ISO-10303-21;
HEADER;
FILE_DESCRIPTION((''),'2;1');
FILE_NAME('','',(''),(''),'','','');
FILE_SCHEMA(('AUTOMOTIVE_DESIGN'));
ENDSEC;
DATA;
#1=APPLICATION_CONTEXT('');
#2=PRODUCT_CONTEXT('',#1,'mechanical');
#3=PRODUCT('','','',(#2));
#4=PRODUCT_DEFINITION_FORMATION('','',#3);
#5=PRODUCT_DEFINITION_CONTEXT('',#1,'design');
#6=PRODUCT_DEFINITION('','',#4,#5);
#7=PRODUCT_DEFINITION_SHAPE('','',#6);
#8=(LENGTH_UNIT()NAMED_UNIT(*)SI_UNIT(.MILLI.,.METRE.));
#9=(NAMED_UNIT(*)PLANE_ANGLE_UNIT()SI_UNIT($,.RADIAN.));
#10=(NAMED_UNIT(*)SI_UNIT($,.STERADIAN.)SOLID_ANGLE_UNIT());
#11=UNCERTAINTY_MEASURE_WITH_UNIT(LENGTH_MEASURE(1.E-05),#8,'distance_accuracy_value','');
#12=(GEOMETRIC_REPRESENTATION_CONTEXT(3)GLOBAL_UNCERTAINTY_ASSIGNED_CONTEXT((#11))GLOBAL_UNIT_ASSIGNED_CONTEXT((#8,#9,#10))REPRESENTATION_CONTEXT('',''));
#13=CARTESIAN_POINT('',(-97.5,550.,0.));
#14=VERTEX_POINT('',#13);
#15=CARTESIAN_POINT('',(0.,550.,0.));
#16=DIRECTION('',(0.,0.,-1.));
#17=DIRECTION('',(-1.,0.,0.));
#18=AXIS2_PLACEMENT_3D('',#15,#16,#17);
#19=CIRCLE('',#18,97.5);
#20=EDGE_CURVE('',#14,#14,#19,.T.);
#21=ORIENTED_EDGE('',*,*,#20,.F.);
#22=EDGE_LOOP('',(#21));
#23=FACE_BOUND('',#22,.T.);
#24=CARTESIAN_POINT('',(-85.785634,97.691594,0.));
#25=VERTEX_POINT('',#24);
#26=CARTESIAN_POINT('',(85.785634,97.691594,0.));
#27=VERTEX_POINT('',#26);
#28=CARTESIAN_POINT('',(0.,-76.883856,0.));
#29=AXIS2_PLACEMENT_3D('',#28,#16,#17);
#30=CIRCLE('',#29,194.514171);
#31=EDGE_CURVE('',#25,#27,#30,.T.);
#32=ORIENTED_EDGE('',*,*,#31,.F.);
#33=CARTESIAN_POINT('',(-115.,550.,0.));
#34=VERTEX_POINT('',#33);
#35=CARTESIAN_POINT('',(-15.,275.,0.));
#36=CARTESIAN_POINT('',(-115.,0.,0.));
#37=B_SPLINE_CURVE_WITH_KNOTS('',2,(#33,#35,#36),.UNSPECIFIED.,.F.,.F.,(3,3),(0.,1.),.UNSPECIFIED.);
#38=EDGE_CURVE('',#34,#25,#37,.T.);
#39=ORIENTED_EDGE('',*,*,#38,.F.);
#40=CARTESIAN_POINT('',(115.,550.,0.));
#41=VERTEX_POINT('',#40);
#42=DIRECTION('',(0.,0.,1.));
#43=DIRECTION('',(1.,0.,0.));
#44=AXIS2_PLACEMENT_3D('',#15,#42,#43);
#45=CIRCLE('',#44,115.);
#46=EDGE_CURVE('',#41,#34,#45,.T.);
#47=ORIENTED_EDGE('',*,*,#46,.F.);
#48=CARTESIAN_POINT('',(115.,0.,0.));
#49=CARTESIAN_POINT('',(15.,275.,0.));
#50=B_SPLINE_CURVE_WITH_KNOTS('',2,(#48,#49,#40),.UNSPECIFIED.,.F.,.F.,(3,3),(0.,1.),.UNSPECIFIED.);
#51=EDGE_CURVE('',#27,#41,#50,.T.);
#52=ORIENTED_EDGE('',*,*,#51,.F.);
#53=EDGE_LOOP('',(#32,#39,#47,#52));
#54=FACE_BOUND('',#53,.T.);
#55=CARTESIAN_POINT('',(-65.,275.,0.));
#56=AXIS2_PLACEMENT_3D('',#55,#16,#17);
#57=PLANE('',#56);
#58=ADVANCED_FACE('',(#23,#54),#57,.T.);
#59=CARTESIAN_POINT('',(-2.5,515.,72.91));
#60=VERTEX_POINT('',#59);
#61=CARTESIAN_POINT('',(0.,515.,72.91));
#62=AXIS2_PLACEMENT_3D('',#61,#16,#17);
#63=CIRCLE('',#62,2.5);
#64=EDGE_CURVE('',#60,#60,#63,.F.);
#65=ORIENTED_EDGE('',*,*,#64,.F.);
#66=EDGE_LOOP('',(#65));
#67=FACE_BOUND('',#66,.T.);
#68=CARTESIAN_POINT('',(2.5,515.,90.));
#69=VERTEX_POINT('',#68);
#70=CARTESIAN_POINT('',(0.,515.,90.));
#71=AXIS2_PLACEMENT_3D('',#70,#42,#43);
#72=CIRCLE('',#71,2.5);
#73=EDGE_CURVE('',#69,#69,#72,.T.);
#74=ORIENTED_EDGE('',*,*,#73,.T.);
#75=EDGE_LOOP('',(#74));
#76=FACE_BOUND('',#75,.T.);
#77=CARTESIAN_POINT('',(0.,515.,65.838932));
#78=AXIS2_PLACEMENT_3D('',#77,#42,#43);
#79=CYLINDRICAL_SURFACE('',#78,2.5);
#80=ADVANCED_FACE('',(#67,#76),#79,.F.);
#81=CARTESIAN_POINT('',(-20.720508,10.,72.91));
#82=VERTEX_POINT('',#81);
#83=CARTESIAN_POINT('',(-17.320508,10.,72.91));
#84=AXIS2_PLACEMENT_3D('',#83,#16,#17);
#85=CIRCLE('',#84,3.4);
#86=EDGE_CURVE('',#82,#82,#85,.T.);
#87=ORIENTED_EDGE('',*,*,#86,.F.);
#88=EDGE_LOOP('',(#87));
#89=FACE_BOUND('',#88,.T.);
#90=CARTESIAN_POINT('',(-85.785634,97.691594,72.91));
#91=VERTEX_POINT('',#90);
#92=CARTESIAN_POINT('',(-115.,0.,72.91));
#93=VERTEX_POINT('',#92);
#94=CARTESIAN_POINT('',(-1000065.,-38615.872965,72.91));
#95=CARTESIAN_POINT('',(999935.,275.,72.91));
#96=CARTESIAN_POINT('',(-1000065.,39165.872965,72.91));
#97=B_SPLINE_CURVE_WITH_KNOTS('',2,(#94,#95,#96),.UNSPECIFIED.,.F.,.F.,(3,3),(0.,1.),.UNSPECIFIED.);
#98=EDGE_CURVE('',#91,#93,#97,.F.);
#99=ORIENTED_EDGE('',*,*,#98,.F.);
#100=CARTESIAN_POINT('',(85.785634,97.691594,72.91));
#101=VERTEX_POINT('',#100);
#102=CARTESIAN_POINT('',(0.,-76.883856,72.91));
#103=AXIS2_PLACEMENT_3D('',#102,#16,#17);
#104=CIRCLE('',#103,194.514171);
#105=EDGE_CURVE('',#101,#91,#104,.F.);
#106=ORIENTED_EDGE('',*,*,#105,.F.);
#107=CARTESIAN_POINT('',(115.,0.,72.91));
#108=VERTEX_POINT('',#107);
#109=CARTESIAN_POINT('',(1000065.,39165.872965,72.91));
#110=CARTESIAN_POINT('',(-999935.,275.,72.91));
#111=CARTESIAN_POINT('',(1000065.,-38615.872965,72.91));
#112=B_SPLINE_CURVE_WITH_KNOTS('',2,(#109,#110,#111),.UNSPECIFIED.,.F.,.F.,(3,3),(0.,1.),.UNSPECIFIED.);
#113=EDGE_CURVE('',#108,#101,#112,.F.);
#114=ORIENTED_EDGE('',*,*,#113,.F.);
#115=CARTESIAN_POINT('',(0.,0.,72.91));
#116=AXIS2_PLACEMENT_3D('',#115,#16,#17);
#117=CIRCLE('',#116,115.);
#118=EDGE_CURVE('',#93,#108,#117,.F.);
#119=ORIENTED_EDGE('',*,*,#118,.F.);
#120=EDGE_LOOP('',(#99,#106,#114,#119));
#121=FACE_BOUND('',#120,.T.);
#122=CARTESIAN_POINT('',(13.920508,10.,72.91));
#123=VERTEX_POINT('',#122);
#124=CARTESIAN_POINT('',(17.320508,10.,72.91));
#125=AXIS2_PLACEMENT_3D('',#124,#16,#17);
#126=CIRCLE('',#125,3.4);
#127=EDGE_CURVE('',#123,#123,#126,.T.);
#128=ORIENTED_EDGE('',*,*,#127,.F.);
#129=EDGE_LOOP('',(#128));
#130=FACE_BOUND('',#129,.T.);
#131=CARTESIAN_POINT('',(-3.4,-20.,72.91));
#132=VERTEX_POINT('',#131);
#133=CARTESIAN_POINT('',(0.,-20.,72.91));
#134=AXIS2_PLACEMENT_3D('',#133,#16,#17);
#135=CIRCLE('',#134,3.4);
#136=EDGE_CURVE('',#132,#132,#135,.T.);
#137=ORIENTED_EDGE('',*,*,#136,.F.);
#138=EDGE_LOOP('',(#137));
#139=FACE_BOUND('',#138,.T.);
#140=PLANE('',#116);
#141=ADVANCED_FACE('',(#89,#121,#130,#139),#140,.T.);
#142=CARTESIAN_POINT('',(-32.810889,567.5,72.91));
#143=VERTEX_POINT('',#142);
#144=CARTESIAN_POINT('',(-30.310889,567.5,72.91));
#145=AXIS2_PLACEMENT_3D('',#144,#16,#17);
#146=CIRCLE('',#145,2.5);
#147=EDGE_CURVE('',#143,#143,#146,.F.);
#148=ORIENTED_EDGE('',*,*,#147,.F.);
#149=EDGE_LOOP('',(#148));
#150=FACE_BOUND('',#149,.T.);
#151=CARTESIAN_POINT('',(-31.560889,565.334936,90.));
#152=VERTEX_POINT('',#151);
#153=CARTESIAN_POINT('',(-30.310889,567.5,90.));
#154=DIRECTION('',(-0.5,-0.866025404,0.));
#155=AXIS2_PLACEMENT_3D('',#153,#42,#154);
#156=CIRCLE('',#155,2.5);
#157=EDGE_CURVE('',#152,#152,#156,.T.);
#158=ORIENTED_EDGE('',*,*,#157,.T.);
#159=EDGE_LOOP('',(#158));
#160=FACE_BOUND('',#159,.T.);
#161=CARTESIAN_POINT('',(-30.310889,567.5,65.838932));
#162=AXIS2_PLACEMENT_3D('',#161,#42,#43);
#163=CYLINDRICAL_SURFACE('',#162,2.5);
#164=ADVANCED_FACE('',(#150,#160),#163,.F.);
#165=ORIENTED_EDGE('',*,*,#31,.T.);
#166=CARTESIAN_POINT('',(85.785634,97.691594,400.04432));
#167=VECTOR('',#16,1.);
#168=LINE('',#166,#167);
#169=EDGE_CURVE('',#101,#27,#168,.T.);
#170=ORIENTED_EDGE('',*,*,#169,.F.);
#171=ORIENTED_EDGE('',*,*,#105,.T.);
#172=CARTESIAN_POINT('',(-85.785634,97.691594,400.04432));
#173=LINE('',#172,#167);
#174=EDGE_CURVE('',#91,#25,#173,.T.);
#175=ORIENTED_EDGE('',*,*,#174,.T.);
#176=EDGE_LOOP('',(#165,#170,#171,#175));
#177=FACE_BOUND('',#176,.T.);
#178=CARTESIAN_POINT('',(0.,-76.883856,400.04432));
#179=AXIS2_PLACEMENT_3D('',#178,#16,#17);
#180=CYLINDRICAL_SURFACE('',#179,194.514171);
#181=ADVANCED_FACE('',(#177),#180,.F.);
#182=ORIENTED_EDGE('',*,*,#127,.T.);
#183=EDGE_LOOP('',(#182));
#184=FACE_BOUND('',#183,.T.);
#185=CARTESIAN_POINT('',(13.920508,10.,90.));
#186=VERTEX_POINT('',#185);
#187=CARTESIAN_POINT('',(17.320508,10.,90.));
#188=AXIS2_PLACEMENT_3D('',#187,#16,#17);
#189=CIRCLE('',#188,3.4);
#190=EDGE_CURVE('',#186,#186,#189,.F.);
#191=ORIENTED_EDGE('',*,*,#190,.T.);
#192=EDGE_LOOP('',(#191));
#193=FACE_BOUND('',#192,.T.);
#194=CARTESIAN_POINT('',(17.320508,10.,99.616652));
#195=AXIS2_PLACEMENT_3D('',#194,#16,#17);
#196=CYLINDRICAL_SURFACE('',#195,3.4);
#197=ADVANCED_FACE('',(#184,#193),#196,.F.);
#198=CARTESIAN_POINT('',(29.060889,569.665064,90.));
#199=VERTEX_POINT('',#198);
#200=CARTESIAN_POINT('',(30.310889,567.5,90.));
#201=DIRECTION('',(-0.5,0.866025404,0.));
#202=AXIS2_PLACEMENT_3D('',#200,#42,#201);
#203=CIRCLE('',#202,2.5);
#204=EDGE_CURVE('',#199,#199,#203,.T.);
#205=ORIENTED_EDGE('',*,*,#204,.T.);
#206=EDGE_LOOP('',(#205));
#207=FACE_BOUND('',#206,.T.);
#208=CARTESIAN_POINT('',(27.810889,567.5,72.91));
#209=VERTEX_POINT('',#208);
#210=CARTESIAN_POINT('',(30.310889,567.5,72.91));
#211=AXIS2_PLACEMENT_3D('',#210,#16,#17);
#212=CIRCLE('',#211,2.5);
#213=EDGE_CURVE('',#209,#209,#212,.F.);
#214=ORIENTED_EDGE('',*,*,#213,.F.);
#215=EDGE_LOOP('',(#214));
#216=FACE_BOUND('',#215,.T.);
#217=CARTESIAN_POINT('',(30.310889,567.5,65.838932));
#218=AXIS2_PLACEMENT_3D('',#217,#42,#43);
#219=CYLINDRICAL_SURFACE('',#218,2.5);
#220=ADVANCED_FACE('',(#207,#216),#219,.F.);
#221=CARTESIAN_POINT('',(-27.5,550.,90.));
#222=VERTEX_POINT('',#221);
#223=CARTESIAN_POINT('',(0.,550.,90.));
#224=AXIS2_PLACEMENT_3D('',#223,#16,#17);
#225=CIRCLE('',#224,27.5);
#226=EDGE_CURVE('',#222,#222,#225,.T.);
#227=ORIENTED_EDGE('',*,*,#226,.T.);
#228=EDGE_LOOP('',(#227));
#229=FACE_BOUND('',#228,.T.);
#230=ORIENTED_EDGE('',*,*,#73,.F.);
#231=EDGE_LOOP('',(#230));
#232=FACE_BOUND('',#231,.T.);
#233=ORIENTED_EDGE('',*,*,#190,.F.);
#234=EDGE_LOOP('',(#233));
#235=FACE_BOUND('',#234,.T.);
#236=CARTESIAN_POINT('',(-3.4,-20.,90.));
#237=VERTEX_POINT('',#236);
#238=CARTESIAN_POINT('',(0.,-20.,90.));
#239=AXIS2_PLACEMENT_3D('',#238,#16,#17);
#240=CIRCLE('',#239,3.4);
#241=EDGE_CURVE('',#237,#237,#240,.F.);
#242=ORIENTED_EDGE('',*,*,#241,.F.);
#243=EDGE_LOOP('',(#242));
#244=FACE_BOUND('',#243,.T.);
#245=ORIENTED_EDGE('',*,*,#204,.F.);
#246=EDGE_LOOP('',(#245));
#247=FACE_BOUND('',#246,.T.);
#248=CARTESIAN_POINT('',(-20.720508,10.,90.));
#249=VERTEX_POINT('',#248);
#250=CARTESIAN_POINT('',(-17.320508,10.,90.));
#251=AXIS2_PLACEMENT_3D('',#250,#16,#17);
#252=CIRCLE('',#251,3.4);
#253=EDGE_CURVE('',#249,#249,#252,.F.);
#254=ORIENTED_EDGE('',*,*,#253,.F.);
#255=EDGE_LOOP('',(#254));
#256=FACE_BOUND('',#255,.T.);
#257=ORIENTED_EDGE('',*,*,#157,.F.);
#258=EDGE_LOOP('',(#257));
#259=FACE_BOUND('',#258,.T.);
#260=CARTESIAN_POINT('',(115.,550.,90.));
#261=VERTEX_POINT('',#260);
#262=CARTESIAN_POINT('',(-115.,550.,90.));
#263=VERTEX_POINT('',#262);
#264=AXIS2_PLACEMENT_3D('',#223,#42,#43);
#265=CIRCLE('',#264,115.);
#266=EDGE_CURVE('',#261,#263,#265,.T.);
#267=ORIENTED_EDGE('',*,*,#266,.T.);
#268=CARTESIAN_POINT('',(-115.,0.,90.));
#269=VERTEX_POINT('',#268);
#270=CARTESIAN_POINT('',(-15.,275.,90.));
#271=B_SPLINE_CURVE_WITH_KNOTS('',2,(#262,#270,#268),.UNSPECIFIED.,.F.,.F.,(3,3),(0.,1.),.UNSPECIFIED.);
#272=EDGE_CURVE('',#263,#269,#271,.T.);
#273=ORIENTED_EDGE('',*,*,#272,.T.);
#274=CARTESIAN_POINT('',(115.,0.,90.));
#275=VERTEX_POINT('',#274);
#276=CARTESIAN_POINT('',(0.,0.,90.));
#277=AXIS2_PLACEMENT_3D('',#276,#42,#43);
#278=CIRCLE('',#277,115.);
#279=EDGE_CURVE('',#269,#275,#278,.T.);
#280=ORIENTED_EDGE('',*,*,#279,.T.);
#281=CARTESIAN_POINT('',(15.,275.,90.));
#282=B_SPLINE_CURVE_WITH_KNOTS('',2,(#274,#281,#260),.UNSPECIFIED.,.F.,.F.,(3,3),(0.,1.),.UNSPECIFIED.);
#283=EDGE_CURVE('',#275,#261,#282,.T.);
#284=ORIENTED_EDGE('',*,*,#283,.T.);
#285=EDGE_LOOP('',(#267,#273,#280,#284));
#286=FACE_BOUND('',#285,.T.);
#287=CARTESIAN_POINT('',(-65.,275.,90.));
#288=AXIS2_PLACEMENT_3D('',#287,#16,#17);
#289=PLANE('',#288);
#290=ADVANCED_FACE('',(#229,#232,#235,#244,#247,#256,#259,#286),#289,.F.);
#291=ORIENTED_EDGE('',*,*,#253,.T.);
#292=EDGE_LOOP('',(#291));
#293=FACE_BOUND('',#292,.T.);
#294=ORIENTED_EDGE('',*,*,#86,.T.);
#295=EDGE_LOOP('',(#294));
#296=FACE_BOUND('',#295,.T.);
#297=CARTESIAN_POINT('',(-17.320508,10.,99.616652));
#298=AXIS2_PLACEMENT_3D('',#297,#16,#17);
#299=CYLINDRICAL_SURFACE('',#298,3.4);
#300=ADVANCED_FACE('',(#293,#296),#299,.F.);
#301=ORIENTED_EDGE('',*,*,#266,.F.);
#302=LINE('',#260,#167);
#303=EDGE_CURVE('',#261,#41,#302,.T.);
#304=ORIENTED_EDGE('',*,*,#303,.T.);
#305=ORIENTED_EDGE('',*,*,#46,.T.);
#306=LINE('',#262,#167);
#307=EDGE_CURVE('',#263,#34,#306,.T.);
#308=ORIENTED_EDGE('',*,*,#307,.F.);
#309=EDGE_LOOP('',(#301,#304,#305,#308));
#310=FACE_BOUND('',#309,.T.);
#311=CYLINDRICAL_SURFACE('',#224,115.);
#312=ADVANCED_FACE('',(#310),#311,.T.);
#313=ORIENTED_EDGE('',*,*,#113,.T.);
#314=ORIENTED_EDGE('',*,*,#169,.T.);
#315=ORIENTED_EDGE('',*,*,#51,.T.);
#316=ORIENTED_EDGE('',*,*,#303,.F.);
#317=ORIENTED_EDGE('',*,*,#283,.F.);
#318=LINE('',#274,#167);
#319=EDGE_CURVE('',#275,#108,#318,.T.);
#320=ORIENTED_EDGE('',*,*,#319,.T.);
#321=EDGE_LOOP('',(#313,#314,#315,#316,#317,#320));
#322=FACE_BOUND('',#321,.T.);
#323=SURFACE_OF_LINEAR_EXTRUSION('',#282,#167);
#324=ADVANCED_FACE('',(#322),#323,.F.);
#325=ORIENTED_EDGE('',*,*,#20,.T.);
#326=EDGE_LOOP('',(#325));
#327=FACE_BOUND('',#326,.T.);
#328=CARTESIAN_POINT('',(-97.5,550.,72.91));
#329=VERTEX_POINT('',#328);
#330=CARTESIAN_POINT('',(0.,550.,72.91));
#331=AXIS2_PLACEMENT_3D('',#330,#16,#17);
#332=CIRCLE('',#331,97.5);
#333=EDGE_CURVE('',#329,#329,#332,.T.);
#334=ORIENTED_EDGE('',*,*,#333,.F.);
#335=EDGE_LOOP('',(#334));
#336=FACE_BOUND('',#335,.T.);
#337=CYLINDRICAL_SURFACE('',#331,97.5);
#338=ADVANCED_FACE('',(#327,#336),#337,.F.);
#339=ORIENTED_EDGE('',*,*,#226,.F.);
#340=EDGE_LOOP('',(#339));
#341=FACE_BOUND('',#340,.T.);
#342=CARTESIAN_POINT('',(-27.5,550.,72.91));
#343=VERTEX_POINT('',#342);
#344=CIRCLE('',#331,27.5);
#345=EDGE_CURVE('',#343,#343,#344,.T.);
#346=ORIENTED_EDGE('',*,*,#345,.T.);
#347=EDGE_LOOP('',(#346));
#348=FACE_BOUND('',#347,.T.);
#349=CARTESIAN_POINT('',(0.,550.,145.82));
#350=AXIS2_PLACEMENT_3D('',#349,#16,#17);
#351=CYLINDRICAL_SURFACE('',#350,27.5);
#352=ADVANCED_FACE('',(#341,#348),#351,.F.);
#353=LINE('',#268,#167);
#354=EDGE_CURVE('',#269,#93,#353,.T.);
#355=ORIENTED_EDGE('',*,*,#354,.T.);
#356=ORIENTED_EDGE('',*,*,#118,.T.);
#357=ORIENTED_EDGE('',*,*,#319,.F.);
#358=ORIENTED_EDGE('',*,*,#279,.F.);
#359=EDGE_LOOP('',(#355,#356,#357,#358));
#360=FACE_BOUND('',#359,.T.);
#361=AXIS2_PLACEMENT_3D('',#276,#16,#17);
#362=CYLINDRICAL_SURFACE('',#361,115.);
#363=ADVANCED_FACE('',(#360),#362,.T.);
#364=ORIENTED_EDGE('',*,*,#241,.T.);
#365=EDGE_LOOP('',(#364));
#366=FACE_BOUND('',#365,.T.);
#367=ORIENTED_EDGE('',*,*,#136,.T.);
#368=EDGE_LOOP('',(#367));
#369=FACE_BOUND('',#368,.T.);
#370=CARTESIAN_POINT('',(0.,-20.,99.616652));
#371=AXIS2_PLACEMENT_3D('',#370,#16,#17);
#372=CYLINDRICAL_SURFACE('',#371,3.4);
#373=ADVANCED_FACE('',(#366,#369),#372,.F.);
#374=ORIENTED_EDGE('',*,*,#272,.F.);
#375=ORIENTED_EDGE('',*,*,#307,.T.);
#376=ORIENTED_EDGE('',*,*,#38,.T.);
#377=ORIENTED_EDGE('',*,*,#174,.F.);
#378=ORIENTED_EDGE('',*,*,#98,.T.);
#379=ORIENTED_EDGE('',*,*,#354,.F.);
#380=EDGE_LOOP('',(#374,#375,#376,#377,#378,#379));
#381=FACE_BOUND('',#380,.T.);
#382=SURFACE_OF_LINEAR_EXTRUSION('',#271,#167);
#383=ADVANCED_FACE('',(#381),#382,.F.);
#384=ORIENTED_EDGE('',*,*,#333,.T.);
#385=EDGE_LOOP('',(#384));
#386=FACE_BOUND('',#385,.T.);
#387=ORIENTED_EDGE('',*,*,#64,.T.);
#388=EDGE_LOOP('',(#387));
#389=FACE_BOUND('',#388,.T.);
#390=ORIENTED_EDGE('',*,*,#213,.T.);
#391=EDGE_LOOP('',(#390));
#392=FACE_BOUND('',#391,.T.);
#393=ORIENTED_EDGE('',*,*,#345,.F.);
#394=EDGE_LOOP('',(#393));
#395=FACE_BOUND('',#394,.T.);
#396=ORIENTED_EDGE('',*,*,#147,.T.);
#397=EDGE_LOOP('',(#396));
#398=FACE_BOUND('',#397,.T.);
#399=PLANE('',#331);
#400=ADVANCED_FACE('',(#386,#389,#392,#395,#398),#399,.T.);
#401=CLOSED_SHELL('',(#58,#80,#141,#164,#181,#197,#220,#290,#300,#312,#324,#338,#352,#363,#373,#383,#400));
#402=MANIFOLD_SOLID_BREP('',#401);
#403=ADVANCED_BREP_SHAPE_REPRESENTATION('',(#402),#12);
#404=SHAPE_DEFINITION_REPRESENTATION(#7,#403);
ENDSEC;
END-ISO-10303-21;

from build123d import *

# Parameters (mm, degrees)
BOSS_EXTRUDE1_DEPTH = 90
SKETCH2_R           = 97.5
CUT_EXTRUDE1_DEPTH  = 72.91
SKETCH6_R           = 97.5
CUT_EXTRUDE5_DEPTH  = 72.91
SKETCH7_R           = 27.5
CUT_EXTRUDE6_DEPTH  = 72.91
CUT_EXTRUDE10_DEPTH = 72.91
SKETCH13_R          = 3.4
CUT_EXTRUDE13_DEPTH = 17.09
SKETCH14_R          = 2.5
CUT_EXTRUDE14_DEPTH = 17.09
CIRPATTERN1_COUNT   = 3


with BuildPart() as part:
    # Sketch1 → Boss-Extrude1 (new body)
    with BuildSketch(Plane(origin=(0, 0, 0), x_dir=(0, 1, 0), z_dir=(0, 0, 1))):
        with BuildLine():
            ThreePointArc((0, 115), (-115, 0), (0, -115))
            add(Edge.make_bspline(
                [(0, -115), (275, -15), (550, -115)],
                knots=[0, 0, 0, 1, 1, 1], degree=2))
            ThreePointArc((550, -115), (665, 0), (550, 115))
            add(Edge.make_bspline(
                [(0, 115), (275, 15), (550, 115)],
                knots=[0, 0, 0, 1, 1, 1], degree=2))
        make_face()
    extrude(amount=BOSS_EXTRUDE1_DEPTH)

    # Sketch2 → Cut-Extrude1 (cut)
    with BuildSketch(Plane(origin=(0, 0, 0), x_dir=(1, 0, 0), z_dir=(0, 0, -1))):
        with Locations(Location((0, 0, 0), (0, 0, 180))):
            Circle(SKETCH2_R)
    extrude(amount=-CUT_EXTRUDE1_DEPTH, mode=Mode.SUBTRACT)

    # Sketch6 → Cut-Extrude5 (cut)
    with BuildSketch(Plane(origin=(0, 0, 0), x_dir=(1, 0, 0), z_dir=(0, 0, -1))):
        with Locations(Location((0, -550, 0), (0, 0, 180))):
            Circle(SKETCH6_R)
    extrude(amount=-CUT_EXTRUDE5_DEPTH, mode=Mode.SUBTRACT)

    # Sketch7 → Cut-Extrude6 (cut)
    with BuildSketch(Plane(origin=(0, 0, 72.91), x_dir=(1, 0, 0), z_dir=(0, 0, -1))):
        with Locations(Location((0, -550, 0), (0, 0, 180))):
            Circle(SKETCH7_R)
    extrude(amount=-CUT_EXTRUDE6_DEPTH, mode=Mode.SUBTRACT)

    # Sketch10 → Cut-Extrude10 (cut)
    with BuildSketch(Plane(origin=(0, 0, 0), x_dir=(1, 0, 0), z_dir=(0, 0, -1))):
        with BuildLine():
            ThreePointArc((115, 0), (0, 115), (-115, 0))
            add(Edge.make_bspline(
                [(-85.785633537, -97.691594321), (-97.237891942, -48.84579716), (-115, 0)],
                knots=[0, 0, 0, 1, 1, 1], degree=2))
            ThreePointArc((-85.785633537, -97.691594321), (0, -117.630315166), (85.785633537, -97.691594321))
            add(Edge.make_bspline(
                [(115, 0), (97.237891942, -48.84579716), (85.785633537, -97.691594321)],
                knots=[0, 0, 0, 1, 1, 1], degree=2))
        make_face()
    extrude(amount=-CUT_EXTRUDE10_DEPTH, mode=Mode.SUBTRACT)

    # Sketch13 → Cut-Extrude13 (cut)
    with BuildSketch(Plane(origin=(0, 0, 72.91), x_dir=(1, 0, 0), z_dir=(0, 0, -1))):
        with Locations(Location((0, 20, 0), (0, 0, 180))):
            Circle(SKETCH13_R)
        with Locations(Location((-17.320508076, -10, 0), (0, 0, 180))):
            Circle(SKETCH13_R)
        with Locations(Location((17.320508076, -10, 0), (0, 0, 180))):
            Circle(SKETCH13_R)
    extrude(amount=-CUT_EXTRUDE13_DEPTH, mode=Mode.SUBTRACT)

    # Sketch14 → Cut-Extrude14 (cut)
    with BuildSketch(Plane.XY.offset(90)):
        with Locations((0, 515)):
            Circle(SKETCH14_R)
    cut_extrude14 = extrude(amount=-CUT_EXTRUDE14_DEPTH, mode=Mode.SUBTRACT)

    # CirPattern1: Cut-Extrude14 ×3 about axis
    cirpattern1_axis = Axis((0, 550, 0), (0, 0, 1))
    for i in range(1, CIRPATTERN1_COUNT):
        add(cut_extrude14.rotate(cirpattern1_axis, i * 360 / CIRPATTERN1_COUNT), mode=Mode.SUBTRACT)


solid = part.part
